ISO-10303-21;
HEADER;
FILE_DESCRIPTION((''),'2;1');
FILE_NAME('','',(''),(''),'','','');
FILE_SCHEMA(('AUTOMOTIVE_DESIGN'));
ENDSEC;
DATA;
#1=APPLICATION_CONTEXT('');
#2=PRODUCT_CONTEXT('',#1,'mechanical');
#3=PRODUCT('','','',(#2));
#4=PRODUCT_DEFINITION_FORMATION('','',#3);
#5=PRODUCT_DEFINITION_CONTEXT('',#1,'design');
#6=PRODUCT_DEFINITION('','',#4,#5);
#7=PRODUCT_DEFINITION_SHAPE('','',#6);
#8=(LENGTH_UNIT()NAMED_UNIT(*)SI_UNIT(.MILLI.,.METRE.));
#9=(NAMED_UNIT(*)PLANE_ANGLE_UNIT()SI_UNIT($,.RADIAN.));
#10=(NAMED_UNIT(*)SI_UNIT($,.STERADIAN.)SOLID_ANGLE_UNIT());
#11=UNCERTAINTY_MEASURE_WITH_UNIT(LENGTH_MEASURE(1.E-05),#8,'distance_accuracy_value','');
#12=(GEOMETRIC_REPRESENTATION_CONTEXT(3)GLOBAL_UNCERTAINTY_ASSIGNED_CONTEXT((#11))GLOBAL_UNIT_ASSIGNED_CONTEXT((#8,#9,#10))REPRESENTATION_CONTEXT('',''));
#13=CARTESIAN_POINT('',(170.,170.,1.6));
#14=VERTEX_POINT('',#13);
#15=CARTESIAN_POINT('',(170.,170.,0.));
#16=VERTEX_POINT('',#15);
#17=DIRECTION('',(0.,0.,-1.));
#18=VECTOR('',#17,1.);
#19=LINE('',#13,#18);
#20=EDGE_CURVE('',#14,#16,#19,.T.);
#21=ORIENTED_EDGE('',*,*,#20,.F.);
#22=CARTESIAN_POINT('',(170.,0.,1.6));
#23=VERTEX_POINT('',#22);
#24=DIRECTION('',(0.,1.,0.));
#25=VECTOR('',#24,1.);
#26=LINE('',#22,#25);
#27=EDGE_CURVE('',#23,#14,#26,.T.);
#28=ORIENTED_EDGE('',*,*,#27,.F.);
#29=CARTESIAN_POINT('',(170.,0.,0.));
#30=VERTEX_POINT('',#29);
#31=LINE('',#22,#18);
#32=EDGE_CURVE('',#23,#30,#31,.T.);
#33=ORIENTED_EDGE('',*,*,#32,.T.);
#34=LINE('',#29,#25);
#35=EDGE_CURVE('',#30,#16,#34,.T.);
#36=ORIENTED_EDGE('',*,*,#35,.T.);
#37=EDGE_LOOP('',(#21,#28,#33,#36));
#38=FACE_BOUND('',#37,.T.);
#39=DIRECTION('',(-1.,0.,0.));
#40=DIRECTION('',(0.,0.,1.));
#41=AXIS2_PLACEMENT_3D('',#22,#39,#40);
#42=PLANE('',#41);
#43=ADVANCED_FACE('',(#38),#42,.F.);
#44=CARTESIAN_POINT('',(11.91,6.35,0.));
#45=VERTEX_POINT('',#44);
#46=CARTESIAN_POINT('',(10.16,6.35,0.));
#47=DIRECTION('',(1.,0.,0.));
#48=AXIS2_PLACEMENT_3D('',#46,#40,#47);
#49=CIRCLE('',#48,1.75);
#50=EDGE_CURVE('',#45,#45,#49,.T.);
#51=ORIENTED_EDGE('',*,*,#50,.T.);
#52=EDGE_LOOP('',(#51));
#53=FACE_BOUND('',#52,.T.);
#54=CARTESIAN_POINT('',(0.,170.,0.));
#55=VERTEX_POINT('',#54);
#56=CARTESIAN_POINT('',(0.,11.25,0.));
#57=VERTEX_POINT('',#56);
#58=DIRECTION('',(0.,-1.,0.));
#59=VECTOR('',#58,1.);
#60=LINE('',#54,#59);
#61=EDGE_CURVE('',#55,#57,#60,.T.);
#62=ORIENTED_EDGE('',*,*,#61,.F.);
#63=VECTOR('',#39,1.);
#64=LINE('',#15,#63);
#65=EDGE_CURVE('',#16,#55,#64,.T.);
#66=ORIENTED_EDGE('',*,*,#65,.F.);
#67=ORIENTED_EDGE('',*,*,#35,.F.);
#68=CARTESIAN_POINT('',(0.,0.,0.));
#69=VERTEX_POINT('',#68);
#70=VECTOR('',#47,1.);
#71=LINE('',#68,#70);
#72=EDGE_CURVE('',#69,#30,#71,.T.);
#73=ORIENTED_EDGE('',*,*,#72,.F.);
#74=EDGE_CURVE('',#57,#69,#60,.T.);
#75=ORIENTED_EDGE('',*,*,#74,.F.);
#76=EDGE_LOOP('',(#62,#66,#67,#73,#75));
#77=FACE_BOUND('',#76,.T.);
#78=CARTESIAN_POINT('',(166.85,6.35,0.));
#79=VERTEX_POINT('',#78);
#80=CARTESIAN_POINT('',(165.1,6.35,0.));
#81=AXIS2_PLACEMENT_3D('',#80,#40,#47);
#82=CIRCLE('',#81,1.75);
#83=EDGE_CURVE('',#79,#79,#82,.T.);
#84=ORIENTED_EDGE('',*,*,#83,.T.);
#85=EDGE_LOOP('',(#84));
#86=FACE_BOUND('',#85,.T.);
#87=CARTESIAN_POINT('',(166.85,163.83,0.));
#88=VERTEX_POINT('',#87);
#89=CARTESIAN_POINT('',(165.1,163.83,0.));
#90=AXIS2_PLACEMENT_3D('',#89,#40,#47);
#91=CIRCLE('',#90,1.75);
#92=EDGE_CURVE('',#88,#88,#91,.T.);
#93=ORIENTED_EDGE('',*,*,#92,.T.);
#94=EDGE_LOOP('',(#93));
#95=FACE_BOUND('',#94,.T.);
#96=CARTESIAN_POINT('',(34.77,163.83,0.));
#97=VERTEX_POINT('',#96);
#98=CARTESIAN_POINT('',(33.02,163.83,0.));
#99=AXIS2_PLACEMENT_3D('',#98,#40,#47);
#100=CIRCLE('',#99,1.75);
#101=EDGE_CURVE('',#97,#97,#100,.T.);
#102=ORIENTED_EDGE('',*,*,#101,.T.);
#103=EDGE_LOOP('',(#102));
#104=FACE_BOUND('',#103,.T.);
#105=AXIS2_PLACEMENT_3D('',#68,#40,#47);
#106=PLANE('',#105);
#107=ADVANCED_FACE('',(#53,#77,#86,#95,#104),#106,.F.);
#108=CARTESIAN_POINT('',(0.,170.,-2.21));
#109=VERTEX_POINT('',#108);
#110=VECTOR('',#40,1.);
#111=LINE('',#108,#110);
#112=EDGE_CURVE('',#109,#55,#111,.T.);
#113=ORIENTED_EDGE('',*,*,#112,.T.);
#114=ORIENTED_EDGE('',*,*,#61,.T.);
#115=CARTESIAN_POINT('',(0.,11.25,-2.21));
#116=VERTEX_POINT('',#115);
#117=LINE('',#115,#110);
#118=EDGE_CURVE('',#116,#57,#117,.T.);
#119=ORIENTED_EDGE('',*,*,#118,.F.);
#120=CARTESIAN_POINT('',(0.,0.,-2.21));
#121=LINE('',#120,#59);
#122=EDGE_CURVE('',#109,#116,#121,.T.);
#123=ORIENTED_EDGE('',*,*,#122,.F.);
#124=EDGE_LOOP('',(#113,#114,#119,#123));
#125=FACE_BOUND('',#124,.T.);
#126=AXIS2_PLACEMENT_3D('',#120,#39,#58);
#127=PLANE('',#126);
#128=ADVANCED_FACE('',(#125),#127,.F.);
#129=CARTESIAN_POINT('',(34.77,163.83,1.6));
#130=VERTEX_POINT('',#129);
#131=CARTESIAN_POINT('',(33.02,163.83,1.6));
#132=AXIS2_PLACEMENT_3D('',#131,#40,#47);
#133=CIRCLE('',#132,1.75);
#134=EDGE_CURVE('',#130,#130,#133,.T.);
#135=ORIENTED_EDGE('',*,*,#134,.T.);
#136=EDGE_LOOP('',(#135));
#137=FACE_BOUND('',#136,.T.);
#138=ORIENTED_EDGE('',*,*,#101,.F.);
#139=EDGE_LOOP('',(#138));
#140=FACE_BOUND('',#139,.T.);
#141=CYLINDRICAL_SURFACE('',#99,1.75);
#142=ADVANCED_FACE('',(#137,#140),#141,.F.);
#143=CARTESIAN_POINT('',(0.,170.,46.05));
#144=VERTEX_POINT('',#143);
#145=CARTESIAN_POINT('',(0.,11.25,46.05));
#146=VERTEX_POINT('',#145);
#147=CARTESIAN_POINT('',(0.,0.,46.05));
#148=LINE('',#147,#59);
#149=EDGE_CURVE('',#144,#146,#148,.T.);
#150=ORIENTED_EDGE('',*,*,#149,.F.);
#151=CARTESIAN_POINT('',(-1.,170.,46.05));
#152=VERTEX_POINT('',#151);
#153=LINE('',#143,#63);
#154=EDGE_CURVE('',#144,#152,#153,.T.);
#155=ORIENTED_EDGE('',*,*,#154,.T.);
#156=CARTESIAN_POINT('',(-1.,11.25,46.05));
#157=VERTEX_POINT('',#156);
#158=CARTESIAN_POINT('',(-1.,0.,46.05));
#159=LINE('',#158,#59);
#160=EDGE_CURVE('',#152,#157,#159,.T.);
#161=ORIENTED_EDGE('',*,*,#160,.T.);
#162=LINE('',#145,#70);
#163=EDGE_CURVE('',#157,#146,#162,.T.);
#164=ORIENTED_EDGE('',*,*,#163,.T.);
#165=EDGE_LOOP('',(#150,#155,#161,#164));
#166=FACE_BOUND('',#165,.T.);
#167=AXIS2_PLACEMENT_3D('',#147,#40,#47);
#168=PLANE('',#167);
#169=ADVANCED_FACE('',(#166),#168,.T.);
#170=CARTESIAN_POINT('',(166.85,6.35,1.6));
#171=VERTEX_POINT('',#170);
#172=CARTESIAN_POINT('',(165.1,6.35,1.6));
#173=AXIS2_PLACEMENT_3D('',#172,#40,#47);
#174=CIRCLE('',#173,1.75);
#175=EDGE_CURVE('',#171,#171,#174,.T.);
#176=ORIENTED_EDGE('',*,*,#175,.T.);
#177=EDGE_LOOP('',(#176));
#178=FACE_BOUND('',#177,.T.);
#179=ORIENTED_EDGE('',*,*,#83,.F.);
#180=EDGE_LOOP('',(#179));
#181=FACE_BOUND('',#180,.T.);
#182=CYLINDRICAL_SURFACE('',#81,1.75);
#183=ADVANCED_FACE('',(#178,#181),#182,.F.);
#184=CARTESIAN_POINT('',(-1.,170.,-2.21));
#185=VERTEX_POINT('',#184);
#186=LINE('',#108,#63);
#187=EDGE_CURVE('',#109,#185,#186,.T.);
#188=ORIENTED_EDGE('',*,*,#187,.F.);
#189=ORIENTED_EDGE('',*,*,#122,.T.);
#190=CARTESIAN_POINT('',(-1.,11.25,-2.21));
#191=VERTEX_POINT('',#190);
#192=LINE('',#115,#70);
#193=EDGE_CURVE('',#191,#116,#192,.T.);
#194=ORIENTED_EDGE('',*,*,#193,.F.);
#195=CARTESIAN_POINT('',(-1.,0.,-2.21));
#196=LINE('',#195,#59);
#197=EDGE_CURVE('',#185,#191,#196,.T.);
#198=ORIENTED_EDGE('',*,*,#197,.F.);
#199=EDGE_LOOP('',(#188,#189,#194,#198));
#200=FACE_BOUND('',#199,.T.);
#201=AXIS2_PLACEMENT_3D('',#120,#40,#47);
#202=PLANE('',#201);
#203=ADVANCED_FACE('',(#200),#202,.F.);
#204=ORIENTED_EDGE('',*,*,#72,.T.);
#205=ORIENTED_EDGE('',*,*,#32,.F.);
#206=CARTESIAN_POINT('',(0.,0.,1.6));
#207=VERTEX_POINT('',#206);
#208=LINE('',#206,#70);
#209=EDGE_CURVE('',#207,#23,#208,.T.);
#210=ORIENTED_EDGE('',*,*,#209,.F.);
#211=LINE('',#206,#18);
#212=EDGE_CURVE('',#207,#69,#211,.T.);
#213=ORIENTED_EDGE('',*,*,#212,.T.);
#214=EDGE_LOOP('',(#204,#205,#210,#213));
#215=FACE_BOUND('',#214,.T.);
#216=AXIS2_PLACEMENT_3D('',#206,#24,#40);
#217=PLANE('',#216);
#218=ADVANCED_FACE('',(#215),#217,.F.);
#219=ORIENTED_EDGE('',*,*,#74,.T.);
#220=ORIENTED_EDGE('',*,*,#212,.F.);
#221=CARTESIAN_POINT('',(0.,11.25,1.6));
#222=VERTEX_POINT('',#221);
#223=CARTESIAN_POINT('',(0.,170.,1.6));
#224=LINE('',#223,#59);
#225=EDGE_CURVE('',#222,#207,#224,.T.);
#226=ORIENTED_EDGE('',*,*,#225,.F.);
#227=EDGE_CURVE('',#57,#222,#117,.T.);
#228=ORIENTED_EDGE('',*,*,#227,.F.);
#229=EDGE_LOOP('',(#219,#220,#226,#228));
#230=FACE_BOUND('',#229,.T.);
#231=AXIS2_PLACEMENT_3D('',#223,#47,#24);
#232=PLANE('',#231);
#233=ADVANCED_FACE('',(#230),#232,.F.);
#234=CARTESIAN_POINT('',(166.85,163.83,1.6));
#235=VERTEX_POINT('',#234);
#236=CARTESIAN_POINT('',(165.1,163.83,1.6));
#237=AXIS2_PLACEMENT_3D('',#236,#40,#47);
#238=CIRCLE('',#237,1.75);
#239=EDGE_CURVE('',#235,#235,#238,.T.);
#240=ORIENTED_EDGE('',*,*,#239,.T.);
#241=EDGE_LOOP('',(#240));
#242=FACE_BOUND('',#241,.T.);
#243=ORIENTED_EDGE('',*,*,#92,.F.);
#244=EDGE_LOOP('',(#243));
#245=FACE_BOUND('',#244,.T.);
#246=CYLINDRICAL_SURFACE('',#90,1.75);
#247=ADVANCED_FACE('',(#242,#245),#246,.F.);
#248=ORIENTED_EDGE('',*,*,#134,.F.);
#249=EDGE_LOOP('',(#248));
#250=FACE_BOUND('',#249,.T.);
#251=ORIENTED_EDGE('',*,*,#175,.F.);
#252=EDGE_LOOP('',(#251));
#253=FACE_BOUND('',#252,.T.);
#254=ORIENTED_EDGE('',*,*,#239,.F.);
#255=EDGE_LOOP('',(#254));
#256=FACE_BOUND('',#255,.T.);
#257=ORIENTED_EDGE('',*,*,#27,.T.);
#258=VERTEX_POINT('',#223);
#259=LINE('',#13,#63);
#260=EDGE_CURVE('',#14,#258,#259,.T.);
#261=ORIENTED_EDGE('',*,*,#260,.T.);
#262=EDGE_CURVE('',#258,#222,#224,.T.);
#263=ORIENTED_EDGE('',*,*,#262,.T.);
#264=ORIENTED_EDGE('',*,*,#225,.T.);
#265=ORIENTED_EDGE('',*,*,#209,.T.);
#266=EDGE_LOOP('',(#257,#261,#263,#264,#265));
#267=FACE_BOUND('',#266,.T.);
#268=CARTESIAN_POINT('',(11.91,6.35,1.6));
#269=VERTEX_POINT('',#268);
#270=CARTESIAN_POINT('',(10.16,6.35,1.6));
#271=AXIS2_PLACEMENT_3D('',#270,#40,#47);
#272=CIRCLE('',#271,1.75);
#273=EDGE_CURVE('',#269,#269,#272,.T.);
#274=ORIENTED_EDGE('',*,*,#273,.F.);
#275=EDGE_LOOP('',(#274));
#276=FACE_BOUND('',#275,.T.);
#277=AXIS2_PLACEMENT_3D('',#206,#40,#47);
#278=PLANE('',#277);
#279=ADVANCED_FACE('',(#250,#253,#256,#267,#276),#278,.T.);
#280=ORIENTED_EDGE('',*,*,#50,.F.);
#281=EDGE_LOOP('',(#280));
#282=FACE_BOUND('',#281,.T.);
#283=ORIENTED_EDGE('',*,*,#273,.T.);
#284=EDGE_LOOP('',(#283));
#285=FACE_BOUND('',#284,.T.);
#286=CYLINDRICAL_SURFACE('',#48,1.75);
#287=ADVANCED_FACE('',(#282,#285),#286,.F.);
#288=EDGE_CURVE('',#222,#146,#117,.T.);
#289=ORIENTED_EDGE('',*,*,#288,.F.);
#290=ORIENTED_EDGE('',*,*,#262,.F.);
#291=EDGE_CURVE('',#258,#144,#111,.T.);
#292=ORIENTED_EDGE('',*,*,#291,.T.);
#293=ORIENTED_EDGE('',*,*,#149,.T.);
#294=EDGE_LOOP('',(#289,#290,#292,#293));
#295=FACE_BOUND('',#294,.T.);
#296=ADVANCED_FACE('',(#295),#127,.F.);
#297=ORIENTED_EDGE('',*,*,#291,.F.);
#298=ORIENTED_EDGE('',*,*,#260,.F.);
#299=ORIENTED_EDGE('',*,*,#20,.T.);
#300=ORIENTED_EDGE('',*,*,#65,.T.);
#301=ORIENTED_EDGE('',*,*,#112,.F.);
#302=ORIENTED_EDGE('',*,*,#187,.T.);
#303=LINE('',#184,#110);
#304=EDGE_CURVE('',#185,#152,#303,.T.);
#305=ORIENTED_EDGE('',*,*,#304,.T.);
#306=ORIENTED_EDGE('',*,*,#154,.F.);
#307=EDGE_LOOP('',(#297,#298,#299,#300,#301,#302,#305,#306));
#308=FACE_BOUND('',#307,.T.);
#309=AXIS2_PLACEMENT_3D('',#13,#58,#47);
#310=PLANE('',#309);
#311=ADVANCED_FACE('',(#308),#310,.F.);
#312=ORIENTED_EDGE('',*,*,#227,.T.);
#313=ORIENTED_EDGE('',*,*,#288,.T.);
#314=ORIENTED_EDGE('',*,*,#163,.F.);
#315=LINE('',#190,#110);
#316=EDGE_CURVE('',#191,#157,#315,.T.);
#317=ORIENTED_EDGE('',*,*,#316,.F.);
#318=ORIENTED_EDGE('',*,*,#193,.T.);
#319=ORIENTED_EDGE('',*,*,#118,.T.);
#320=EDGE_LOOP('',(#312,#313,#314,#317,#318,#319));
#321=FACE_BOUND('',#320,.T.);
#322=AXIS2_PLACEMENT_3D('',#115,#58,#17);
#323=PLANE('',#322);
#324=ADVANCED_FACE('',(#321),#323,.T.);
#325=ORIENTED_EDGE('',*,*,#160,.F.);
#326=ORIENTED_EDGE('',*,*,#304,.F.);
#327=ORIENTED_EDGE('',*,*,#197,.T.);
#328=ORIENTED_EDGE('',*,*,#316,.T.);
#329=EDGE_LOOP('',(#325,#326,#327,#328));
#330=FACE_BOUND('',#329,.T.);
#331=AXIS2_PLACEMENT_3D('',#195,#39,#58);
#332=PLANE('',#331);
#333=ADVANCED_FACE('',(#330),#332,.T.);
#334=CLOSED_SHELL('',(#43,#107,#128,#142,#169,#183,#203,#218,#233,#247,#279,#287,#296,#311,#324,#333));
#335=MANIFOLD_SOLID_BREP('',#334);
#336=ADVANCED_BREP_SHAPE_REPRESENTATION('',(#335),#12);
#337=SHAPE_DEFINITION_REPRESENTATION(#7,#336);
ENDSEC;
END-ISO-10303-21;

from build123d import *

# Parameters (mm, degrees)
SKETCH_1_W           = 170
SKETCH_1_H           = 170
EXTRUDE_1_DEPTH      = 1.6
SKETCH_2_R           = 1.75
CUT_EXTRUDE_2_DEPTH  = 241.421629643
EXTRUDE_2_DEPTH      = 44.45
EXTRUDE_2_DEPTH_BACK = 3.81
SKETCH_5_W           = 1
SKETCH_5_H           = 158.75


with BuildPart() as part:
    # 草图1 → 凸台-拉伸1 (new body)
    with BuildSketch(Plane.XY):
        with Locations((85, 85)):
            Rectangle(SKETCH_1_W, SKETCH_1_H)
    extrude(amount=EXTRUDE_1_DEPTH)

    # 草图2 → 切除-拉伸2 (cut, through all)
    with BuildSketch(Plane.XY.offset(1.6)):
        with Locations((10.16, 6.35)):
            Circle(SKETCH_2_R)
        with Locations((165.1, 6.35)):
            Circle(SKETCH_2_R)
        with Locations((165.1, 163.83)):
            Circle(SKETCH_2_R)
        with Locations((33.02, 163.83)):
            Circle(SKETCH_2_R)
    extrude(amount=-CUT_EXTRUDE_2_DEPTH, mode=Mode.SUBTRACT)

    # 草图5 → 凸台-拉伸2 (add, two sides: drawn at the far end of the back side and taken through both)
    with BuildSketch(Plane.XY.offset(1.6).offset(-EXTRUDE_2_DEPTH_BACK)):
        with Locations((-0.5, 90.625)):
            Rectangle(SKETCH_5_W, SKETCH_5_H)
    extrude(amount=EXTRUDE_2_DEPTH + EXTRUDE_2_DEPTH_BACK)


solid = part.part
